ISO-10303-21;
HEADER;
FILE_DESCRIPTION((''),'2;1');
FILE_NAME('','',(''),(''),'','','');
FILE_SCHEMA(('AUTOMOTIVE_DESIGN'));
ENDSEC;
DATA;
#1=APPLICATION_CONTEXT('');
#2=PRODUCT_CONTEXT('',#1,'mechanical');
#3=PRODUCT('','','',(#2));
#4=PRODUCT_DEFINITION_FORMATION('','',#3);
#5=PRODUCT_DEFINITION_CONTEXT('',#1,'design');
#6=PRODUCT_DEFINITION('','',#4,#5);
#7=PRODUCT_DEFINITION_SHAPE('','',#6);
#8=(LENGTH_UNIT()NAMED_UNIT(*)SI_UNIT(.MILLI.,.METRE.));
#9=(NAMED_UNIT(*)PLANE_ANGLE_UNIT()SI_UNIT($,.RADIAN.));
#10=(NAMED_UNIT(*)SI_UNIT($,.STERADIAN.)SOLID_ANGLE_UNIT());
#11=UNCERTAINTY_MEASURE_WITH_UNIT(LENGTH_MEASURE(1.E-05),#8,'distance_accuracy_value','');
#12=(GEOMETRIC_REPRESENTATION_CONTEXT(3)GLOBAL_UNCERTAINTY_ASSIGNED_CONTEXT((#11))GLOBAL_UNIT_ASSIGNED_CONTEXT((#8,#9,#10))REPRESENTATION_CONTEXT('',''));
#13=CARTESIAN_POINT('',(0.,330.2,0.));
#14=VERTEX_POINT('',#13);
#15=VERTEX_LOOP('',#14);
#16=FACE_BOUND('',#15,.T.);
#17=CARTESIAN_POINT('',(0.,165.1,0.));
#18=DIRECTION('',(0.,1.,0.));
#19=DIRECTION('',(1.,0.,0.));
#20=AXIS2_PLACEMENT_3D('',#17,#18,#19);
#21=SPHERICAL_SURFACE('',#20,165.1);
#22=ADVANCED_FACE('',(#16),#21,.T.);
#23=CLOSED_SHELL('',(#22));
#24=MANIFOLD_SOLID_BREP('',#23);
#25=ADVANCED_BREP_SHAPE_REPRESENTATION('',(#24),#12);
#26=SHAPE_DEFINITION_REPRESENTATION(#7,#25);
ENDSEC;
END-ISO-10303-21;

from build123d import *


with BuildPart() as part:
    # Sketch1 → Revolve1 (revolve)
    with BuildSketch(Plane.XY):
        with BuildLine():
            Line((0, 330.2), (0, 0))
            ThreePointArc((0, 0), (165.1, 165.1), (0, 330.2))
        make_face()
    revolve(axis=Axis((0, 0, 0), (0, 1, 0)))


solid = part.part
